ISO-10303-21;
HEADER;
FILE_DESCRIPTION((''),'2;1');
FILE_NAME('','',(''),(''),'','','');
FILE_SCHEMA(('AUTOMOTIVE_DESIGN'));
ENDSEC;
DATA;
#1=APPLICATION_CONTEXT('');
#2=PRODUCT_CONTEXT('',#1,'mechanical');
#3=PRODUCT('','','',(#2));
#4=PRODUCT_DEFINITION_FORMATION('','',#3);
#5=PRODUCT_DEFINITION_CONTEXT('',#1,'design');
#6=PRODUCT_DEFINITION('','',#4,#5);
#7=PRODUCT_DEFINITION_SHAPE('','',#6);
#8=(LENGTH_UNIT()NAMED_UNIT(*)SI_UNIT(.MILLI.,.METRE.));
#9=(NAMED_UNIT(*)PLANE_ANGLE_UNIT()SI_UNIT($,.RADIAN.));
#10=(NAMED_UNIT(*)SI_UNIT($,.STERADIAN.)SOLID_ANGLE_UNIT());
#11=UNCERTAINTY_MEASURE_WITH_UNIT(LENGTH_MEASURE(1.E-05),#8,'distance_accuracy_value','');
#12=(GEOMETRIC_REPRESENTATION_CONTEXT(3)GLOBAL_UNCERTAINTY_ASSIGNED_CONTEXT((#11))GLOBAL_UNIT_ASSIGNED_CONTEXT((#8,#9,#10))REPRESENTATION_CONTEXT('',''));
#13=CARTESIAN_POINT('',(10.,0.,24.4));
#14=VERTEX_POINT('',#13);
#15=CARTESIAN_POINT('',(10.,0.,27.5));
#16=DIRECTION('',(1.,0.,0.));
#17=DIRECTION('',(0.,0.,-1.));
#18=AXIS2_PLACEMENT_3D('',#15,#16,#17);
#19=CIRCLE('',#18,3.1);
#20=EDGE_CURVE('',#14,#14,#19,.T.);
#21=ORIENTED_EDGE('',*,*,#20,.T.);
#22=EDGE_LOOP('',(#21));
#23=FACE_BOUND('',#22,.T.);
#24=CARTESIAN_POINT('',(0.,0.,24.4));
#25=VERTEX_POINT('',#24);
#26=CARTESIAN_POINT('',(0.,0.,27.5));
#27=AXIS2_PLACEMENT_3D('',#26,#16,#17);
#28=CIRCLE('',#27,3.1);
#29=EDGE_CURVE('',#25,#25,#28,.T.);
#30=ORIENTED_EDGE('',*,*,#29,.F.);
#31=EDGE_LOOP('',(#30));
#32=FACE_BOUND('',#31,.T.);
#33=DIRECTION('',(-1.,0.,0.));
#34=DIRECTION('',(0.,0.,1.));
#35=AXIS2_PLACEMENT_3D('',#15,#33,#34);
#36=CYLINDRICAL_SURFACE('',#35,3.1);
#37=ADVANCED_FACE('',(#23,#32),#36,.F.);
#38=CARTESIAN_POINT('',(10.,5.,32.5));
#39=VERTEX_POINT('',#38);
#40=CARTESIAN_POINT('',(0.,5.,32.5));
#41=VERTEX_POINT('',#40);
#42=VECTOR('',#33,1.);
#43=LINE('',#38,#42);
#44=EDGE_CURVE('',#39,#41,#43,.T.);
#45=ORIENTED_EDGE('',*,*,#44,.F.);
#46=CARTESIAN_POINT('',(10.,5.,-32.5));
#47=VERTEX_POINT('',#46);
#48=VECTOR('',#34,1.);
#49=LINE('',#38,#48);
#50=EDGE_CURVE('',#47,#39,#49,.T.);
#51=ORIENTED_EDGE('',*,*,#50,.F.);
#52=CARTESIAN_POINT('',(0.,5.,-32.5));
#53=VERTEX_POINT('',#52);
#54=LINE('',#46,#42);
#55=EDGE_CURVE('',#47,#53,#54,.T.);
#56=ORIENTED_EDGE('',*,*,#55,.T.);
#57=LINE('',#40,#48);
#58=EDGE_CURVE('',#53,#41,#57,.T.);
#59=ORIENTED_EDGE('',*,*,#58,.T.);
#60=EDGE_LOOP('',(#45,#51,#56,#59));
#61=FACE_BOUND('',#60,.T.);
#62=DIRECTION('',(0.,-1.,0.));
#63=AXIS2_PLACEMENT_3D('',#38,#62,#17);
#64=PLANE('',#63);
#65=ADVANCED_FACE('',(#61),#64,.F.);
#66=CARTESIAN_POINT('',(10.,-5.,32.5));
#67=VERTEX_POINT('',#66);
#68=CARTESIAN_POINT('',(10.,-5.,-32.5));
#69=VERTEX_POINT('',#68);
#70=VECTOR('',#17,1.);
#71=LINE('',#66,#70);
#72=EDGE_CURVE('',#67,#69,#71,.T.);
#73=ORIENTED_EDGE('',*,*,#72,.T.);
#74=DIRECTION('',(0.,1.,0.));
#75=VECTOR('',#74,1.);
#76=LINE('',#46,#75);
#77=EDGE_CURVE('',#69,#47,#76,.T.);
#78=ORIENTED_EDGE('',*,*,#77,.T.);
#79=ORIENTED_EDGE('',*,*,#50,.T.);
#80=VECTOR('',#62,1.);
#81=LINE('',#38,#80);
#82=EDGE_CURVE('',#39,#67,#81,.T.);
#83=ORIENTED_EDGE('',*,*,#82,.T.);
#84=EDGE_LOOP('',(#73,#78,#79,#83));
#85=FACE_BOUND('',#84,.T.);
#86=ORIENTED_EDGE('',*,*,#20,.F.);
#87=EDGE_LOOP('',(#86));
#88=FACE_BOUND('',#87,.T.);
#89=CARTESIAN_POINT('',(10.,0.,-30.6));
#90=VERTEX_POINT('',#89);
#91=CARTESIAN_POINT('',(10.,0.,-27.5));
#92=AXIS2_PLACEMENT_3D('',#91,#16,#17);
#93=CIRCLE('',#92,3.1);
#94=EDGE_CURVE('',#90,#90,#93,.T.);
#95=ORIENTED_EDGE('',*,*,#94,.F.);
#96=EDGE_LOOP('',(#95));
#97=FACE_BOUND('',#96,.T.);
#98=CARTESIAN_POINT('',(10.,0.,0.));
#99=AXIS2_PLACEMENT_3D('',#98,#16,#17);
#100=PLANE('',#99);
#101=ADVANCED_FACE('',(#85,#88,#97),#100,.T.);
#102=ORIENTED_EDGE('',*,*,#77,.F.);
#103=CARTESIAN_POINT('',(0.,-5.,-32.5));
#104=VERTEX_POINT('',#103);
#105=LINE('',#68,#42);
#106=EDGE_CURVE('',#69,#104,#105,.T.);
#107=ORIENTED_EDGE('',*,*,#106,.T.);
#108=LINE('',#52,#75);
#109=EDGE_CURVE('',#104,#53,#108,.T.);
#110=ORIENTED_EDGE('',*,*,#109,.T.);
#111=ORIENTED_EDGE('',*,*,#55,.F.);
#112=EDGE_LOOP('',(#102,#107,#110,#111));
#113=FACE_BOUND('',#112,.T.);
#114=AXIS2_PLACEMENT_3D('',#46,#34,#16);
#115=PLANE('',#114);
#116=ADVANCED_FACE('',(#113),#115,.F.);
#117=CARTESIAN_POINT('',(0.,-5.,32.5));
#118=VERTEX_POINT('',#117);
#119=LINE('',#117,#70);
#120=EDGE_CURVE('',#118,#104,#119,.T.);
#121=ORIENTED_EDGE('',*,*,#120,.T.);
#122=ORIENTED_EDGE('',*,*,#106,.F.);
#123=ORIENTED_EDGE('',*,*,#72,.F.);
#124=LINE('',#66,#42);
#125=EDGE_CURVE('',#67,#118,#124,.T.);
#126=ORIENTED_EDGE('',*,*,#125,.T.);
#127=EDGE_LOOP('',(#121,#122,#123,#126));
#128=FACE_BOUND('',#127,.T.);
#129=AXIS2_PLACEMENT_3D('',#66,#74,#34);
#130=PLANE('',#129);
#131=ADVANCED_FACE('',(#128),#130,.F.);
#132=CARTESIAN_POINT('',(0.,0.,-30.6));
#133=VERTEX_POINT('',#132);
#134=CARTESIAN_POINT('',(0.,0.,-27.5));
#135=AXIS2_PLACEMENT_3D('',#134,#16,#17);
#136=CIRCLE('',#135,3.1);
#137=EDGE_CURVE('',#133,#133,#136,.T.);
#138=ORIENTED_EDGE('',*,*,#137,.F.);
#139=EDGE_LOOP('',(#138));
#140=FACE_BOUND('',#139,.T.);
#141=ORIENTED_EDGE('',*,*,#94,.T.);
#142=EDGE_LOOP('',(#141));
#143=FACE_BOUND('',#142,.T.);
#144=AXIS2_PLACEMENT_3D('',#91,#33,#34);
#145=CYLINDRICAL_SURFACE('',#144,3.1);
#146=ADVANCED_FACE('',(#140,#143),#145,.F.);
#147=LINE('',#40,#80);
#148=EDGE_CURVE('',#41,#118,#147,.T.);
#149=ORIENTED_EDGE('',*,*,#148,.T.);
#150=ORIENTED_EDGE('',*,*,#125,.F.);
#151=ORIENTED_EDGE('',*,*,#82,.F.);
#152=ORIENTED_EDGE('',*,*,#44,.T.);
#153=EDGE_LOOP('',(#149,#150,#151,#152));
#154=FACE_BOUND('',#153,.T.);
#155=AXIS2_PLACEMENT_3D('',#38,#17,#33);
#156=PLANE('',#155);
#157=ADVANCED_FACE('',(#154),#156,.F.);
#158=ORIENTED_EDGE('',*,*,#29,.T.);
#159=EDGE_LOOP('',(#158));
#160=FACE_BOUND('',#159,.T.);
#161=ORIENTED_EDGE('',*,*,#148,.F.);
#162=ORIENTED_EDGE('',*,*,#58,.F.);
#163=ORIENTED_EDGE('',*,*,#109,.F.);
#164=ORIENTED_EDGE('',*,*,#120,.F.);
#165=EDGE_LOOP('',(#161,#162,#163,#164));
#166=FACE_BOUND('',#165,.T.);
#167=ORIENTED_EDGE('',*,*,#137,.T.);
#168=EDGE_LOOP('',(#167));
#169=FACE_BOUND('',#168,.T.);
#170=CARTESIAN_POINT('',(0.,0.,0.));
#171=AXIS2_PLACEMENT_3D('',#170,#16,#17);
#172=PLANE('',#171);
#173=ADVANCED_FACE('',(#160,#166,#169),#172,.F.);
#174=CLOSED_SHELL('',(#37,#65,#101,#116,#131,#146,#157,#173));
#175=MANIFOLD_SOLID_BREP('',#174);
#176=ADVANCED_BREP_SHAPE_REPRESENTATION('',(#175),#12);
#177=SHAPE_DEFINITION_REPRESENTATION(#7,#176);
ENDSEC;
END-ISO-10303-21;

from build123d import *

# Parameters (mm, degrees)
SKETCH1_W           = 65
SKETCH1_H           = 10
SKETCH1_R           = 3.1
BOSS_EXTRUDE1_DEPTH = 10


with BuildPart() as part:
    # Sketch1 → Boss-Extrude1 (new body)
    with BuildSketch(Plane(origin=(0, 0, 0), x_dir=(0, 0, -1), z_dir=(1, 0, 0))):
        Rectangle(SKETCH1_W, SKETCH1_H)
        with Locations((-27.5, 0)):
            Circle(SKETCH1_R, mode=Mode.SUBTRACT)
        with Locations((27.5, 0)):
            Circle(SKETCH1_R, mode=Mode.SUBTRACT)
    extrude(amount=BOSS_EXTRUDE1_DEPTH)


solid = part.part
